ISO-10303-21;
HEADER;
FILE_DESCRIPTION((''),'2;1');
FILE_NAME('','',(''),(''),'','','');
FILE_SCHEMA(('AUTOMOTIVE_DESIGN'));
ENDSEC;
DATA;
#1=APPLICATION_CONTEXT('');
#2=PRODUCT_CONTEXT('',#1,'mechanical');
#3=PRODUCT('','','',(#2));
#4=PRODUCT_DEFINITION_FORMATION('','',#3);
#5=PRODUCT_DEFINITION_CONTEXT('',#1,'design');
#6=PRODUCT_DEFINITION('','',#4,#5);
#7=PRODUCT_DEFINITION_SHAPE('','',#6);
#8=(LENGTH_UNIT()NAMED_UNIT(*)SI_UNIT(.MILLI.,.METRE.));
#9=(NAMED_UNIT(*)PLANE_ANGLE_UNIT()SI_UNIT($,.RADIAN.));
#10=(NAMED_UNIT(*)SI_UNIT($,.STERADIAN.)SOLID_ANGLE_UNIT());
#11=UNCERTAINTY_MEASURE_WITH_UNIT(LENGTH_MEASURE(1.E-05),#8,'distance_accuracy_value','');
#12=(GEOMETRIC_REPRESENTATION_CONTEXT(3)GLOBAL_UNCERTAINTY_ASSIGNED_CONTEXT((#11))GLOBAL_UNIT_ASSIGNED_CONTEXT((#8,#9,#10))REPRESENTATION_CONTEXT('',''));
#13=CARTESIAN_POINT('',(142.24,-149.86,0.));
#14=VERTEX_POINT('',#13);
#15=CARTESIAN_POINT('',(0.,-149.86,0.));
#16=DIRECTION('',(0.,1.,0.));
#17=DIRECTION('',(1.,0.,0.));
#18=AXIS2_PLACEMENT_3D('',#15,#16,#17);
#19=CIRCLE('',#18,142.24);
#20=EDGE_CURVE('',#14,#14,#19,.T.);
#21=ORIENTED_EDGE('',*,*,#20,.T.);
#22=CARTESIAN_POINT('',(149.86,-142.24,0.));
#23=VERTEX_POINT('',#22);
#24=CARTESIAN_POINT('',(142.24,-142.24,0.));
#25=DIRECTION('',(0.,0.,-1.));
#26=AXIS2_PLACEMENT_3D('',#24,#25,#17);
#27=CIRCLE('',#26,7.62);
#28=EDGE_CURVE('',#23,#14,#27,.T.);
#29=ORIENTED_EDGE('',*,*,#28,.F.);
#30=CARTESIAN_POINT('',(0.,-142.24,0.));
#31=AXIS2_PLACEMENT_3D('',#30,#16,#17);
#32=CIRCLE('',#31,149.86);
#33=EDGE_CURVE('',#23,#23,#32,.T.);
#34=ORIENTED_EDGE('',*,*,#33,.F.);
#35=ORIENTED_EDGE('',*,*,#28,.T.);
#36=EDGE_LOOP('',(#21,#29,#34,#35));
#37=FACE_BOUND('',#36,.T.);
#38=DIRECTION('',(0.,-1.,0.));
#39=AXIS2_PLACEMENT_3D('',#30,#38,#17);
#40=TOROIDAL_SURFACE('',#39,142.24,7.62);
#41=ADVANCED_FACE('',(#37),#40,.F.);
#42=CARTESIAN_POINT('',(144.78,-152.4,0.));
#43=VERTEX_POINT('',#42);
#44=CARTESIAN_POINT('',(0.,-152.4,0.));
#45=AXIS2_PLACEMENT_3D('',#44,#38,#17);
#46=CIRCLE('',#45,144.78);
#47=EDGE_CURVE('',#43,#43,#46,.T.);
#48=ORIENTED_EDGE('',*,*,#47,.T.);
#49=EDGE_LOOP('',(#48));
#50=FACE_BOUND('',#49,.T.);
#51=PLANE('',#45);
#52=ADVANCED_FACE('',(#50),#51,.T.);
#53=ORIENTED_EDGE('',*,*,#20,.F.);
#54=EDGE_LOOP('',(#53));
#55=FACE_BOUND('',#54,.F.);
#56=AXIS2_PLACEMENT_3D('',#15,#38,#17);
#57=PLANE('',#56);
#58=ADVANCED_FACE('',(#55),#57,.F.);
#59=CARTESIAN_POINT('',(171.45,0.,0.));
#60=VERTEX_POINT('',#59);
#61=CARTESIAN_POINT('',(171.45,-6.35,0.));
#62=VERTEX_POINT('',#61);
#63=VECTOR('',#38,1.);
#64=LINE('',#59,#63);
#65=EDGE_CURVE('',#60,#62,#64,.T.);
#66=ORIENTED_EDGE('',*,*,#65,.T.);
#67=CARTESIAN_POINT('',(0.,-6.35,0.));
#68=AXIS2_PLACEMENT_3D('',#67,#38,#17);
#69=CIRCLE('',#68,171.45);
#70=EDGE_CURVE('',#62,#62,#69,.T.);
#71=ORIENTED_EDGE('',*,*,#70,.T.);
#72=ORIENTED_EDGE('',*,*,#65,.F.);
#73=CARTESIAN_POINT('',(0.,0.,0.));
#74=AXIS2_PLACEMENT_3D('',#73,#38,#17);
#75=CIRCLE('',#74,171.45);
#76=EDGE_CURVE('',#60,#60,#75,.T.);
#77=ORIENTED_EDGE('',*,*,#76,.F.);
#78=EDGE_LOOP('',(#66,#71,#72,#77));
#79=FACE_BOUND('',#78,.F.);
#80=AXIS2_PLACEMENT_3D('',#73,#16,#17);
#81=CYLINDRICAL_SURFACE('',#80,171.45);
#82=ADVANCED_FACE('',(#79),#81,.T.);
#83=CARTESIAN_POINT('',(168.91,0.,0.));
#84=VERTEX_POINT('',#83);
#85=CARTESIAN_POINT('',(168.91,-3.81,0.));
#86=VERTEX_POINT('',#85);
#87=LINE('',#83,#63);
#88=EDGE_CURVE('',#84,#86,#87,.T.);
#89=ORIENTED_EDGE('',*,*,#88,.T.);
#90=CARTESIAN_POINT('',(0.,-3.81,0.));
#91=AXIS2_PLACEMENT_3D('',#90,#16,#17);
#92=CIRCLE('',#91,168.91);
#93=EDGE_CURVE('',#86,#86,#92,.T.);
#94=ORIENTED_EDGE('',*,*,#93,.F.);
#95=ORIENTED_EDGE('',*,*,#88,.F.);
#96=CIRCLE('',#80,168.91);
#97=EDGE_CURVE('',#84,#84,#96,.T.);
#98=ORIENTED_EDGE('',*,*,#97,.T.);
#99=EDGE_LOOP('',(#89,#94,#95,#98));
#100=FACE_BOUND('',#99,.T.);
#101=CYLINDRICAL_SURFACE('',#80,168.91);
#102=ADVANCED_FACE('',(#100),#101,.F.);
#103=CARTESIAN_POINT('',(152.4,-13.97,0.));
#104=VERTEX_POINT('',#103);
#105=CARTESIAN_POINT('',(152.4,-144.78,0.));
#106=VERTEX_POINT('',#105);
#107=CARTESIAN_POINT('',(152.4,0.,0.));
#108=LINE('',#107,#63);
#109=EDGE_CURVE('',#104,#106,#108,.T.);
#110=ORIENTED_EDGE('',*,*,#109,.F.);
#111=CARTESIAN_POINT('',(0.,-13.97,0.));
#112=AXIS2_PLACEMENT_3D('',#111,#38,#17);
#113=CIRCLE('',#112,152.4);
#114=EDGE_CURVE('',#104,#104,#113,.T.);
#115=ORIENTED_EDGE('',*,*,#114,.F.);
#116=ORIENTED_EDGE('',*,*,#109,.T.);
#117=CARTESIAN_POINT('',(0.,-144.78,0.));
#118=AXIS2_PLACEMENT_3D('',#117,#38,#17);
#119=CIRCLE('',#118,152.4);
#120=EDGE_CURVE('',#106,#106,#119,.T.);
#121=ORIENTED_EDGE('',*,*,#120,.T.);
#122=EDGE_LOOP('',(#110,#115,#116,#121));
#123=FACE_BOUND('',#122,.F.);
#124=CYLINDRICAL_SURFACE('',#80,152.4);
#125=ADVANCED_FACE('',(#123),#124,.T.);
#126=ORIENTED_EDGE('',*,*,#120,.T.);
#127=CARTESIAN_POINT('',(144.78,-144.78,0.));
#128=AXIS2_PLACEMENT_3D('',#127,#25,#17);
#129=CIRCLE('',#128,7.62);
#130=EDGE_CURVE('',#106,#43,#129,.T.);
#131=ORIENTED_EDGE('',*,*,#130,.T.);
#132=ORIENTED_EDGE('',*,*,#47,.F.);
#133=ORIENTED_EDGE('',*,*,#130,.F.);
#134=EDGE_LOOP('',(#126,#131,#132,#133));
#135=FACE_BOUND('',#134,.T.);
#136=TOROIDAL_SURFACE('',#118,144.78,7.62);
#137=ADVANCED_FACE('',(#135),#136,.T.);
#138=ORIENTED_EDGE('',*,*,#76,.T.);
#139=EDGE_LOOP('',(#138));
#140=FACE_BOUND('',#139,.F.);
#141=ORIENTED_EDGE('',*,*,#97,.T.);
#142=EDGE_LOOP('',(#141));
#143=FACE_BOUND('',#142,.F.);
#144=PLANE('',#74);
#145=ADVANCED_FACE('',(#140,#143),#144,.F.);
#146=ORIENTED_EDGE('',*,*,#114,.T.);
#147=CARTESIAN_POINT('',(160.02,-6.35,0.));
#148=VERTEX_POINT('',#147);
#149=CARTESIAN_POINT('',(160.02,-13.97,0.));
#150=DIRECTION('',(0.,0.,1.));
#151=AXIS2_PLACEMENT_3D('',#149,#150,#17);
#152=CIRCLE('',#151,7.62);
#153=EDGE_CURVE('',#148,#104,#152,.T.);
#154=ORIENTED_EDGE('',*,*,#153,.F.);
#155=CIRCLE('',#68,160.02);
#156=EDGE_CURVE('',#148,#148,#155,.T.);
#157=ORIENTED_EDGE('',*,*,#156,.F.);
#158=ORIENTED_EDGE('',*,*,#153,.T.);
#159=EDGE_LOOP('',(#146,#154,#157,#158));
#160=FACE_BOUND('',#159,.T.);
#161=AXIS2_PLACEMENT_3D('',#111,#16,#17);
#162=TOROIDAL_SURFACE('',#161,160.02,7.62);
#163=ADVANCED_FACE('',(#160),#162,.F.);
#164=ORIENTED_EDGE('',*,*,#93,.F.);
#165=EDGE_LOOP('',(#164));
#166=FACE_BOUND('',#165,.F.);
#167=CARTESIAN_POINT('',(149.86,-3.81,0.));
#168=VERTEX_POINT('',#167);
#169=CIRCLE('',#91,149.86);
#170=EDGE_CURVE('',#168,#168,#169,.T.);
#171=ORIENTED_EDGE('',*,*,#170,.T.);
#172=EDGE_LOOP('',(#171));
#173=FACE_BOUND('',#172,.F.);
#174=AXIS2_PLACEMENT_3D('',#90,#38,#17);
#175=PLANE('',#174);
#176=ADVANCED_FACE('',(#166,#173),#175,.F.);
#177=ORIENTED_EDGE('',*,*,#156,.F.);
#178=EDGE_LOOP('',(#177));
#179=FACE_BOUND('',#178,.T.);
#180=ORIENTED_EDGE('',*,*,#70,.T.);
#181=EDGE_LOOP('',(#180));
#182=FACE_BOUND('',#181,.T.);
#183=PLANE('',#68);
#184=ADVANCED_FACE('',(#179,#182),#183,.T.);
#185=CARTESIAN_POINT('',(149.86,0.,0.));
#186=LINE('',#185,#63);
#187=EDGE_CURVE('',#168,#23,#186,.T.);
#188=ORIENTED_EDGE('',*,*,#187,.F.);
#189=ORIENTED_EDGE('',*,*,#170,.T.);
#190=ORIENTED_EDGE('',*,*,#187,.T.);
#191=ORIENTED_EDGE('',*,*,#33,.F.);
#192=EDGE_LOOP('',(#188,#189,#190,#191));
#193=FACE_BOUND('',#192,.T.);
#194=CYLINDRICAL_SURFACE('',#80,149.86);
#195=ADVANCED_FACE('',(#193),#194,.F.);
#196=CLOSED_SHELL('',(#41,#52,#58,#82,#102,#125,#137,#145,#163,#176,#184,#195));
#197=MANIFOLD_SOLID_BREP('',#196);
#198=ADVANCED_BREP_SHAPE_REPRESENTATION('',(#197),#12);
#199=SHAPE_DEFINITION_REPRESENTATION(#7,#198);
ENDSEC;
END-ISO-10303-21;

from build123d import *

# Parameters (mm, degrees)
F0_R     = 152.4
F1_DEPTH = 152.4
F0_R_2   = 171.45
F2_DEPTH = 6.35
F3_T     = -2.54
F4_R     = 7.62


with BuildPart() as f1:
    # F0 (on Front) → F1 (new body)
    with BuildSketch(Plane.XZ):
        Circle(F0_R)
    extrude(amount=F1_DEPTH)

    # F0 (on Front) → F2 (join)
    with BuildSketch(Plane.XZ):
        Circle(F0_R_2)
        Circle(F0_R, mode=Mode.SUBTRACT)
    extrude(amount=F2_DEPTH)

    # F3
    f3_openings = [f1.faces().sort_by_distance(p)[0] for p in [
        (0, 0, 0),
    ]]
    offset(amount=F3_T, openings=f3_openings, kind=Kind.INTERSECTION)

    # F4
    f4_edges = [f1.edges().sort_by_distance(p)[0] for p in [
        (-152.4, -152.4, 0),
        (-152.4, -6.35, 0),
        (-149.86, -149.86, 0),
    ]]
    fillet(f4_edges, radius=F4_R)


solid = f1.part
